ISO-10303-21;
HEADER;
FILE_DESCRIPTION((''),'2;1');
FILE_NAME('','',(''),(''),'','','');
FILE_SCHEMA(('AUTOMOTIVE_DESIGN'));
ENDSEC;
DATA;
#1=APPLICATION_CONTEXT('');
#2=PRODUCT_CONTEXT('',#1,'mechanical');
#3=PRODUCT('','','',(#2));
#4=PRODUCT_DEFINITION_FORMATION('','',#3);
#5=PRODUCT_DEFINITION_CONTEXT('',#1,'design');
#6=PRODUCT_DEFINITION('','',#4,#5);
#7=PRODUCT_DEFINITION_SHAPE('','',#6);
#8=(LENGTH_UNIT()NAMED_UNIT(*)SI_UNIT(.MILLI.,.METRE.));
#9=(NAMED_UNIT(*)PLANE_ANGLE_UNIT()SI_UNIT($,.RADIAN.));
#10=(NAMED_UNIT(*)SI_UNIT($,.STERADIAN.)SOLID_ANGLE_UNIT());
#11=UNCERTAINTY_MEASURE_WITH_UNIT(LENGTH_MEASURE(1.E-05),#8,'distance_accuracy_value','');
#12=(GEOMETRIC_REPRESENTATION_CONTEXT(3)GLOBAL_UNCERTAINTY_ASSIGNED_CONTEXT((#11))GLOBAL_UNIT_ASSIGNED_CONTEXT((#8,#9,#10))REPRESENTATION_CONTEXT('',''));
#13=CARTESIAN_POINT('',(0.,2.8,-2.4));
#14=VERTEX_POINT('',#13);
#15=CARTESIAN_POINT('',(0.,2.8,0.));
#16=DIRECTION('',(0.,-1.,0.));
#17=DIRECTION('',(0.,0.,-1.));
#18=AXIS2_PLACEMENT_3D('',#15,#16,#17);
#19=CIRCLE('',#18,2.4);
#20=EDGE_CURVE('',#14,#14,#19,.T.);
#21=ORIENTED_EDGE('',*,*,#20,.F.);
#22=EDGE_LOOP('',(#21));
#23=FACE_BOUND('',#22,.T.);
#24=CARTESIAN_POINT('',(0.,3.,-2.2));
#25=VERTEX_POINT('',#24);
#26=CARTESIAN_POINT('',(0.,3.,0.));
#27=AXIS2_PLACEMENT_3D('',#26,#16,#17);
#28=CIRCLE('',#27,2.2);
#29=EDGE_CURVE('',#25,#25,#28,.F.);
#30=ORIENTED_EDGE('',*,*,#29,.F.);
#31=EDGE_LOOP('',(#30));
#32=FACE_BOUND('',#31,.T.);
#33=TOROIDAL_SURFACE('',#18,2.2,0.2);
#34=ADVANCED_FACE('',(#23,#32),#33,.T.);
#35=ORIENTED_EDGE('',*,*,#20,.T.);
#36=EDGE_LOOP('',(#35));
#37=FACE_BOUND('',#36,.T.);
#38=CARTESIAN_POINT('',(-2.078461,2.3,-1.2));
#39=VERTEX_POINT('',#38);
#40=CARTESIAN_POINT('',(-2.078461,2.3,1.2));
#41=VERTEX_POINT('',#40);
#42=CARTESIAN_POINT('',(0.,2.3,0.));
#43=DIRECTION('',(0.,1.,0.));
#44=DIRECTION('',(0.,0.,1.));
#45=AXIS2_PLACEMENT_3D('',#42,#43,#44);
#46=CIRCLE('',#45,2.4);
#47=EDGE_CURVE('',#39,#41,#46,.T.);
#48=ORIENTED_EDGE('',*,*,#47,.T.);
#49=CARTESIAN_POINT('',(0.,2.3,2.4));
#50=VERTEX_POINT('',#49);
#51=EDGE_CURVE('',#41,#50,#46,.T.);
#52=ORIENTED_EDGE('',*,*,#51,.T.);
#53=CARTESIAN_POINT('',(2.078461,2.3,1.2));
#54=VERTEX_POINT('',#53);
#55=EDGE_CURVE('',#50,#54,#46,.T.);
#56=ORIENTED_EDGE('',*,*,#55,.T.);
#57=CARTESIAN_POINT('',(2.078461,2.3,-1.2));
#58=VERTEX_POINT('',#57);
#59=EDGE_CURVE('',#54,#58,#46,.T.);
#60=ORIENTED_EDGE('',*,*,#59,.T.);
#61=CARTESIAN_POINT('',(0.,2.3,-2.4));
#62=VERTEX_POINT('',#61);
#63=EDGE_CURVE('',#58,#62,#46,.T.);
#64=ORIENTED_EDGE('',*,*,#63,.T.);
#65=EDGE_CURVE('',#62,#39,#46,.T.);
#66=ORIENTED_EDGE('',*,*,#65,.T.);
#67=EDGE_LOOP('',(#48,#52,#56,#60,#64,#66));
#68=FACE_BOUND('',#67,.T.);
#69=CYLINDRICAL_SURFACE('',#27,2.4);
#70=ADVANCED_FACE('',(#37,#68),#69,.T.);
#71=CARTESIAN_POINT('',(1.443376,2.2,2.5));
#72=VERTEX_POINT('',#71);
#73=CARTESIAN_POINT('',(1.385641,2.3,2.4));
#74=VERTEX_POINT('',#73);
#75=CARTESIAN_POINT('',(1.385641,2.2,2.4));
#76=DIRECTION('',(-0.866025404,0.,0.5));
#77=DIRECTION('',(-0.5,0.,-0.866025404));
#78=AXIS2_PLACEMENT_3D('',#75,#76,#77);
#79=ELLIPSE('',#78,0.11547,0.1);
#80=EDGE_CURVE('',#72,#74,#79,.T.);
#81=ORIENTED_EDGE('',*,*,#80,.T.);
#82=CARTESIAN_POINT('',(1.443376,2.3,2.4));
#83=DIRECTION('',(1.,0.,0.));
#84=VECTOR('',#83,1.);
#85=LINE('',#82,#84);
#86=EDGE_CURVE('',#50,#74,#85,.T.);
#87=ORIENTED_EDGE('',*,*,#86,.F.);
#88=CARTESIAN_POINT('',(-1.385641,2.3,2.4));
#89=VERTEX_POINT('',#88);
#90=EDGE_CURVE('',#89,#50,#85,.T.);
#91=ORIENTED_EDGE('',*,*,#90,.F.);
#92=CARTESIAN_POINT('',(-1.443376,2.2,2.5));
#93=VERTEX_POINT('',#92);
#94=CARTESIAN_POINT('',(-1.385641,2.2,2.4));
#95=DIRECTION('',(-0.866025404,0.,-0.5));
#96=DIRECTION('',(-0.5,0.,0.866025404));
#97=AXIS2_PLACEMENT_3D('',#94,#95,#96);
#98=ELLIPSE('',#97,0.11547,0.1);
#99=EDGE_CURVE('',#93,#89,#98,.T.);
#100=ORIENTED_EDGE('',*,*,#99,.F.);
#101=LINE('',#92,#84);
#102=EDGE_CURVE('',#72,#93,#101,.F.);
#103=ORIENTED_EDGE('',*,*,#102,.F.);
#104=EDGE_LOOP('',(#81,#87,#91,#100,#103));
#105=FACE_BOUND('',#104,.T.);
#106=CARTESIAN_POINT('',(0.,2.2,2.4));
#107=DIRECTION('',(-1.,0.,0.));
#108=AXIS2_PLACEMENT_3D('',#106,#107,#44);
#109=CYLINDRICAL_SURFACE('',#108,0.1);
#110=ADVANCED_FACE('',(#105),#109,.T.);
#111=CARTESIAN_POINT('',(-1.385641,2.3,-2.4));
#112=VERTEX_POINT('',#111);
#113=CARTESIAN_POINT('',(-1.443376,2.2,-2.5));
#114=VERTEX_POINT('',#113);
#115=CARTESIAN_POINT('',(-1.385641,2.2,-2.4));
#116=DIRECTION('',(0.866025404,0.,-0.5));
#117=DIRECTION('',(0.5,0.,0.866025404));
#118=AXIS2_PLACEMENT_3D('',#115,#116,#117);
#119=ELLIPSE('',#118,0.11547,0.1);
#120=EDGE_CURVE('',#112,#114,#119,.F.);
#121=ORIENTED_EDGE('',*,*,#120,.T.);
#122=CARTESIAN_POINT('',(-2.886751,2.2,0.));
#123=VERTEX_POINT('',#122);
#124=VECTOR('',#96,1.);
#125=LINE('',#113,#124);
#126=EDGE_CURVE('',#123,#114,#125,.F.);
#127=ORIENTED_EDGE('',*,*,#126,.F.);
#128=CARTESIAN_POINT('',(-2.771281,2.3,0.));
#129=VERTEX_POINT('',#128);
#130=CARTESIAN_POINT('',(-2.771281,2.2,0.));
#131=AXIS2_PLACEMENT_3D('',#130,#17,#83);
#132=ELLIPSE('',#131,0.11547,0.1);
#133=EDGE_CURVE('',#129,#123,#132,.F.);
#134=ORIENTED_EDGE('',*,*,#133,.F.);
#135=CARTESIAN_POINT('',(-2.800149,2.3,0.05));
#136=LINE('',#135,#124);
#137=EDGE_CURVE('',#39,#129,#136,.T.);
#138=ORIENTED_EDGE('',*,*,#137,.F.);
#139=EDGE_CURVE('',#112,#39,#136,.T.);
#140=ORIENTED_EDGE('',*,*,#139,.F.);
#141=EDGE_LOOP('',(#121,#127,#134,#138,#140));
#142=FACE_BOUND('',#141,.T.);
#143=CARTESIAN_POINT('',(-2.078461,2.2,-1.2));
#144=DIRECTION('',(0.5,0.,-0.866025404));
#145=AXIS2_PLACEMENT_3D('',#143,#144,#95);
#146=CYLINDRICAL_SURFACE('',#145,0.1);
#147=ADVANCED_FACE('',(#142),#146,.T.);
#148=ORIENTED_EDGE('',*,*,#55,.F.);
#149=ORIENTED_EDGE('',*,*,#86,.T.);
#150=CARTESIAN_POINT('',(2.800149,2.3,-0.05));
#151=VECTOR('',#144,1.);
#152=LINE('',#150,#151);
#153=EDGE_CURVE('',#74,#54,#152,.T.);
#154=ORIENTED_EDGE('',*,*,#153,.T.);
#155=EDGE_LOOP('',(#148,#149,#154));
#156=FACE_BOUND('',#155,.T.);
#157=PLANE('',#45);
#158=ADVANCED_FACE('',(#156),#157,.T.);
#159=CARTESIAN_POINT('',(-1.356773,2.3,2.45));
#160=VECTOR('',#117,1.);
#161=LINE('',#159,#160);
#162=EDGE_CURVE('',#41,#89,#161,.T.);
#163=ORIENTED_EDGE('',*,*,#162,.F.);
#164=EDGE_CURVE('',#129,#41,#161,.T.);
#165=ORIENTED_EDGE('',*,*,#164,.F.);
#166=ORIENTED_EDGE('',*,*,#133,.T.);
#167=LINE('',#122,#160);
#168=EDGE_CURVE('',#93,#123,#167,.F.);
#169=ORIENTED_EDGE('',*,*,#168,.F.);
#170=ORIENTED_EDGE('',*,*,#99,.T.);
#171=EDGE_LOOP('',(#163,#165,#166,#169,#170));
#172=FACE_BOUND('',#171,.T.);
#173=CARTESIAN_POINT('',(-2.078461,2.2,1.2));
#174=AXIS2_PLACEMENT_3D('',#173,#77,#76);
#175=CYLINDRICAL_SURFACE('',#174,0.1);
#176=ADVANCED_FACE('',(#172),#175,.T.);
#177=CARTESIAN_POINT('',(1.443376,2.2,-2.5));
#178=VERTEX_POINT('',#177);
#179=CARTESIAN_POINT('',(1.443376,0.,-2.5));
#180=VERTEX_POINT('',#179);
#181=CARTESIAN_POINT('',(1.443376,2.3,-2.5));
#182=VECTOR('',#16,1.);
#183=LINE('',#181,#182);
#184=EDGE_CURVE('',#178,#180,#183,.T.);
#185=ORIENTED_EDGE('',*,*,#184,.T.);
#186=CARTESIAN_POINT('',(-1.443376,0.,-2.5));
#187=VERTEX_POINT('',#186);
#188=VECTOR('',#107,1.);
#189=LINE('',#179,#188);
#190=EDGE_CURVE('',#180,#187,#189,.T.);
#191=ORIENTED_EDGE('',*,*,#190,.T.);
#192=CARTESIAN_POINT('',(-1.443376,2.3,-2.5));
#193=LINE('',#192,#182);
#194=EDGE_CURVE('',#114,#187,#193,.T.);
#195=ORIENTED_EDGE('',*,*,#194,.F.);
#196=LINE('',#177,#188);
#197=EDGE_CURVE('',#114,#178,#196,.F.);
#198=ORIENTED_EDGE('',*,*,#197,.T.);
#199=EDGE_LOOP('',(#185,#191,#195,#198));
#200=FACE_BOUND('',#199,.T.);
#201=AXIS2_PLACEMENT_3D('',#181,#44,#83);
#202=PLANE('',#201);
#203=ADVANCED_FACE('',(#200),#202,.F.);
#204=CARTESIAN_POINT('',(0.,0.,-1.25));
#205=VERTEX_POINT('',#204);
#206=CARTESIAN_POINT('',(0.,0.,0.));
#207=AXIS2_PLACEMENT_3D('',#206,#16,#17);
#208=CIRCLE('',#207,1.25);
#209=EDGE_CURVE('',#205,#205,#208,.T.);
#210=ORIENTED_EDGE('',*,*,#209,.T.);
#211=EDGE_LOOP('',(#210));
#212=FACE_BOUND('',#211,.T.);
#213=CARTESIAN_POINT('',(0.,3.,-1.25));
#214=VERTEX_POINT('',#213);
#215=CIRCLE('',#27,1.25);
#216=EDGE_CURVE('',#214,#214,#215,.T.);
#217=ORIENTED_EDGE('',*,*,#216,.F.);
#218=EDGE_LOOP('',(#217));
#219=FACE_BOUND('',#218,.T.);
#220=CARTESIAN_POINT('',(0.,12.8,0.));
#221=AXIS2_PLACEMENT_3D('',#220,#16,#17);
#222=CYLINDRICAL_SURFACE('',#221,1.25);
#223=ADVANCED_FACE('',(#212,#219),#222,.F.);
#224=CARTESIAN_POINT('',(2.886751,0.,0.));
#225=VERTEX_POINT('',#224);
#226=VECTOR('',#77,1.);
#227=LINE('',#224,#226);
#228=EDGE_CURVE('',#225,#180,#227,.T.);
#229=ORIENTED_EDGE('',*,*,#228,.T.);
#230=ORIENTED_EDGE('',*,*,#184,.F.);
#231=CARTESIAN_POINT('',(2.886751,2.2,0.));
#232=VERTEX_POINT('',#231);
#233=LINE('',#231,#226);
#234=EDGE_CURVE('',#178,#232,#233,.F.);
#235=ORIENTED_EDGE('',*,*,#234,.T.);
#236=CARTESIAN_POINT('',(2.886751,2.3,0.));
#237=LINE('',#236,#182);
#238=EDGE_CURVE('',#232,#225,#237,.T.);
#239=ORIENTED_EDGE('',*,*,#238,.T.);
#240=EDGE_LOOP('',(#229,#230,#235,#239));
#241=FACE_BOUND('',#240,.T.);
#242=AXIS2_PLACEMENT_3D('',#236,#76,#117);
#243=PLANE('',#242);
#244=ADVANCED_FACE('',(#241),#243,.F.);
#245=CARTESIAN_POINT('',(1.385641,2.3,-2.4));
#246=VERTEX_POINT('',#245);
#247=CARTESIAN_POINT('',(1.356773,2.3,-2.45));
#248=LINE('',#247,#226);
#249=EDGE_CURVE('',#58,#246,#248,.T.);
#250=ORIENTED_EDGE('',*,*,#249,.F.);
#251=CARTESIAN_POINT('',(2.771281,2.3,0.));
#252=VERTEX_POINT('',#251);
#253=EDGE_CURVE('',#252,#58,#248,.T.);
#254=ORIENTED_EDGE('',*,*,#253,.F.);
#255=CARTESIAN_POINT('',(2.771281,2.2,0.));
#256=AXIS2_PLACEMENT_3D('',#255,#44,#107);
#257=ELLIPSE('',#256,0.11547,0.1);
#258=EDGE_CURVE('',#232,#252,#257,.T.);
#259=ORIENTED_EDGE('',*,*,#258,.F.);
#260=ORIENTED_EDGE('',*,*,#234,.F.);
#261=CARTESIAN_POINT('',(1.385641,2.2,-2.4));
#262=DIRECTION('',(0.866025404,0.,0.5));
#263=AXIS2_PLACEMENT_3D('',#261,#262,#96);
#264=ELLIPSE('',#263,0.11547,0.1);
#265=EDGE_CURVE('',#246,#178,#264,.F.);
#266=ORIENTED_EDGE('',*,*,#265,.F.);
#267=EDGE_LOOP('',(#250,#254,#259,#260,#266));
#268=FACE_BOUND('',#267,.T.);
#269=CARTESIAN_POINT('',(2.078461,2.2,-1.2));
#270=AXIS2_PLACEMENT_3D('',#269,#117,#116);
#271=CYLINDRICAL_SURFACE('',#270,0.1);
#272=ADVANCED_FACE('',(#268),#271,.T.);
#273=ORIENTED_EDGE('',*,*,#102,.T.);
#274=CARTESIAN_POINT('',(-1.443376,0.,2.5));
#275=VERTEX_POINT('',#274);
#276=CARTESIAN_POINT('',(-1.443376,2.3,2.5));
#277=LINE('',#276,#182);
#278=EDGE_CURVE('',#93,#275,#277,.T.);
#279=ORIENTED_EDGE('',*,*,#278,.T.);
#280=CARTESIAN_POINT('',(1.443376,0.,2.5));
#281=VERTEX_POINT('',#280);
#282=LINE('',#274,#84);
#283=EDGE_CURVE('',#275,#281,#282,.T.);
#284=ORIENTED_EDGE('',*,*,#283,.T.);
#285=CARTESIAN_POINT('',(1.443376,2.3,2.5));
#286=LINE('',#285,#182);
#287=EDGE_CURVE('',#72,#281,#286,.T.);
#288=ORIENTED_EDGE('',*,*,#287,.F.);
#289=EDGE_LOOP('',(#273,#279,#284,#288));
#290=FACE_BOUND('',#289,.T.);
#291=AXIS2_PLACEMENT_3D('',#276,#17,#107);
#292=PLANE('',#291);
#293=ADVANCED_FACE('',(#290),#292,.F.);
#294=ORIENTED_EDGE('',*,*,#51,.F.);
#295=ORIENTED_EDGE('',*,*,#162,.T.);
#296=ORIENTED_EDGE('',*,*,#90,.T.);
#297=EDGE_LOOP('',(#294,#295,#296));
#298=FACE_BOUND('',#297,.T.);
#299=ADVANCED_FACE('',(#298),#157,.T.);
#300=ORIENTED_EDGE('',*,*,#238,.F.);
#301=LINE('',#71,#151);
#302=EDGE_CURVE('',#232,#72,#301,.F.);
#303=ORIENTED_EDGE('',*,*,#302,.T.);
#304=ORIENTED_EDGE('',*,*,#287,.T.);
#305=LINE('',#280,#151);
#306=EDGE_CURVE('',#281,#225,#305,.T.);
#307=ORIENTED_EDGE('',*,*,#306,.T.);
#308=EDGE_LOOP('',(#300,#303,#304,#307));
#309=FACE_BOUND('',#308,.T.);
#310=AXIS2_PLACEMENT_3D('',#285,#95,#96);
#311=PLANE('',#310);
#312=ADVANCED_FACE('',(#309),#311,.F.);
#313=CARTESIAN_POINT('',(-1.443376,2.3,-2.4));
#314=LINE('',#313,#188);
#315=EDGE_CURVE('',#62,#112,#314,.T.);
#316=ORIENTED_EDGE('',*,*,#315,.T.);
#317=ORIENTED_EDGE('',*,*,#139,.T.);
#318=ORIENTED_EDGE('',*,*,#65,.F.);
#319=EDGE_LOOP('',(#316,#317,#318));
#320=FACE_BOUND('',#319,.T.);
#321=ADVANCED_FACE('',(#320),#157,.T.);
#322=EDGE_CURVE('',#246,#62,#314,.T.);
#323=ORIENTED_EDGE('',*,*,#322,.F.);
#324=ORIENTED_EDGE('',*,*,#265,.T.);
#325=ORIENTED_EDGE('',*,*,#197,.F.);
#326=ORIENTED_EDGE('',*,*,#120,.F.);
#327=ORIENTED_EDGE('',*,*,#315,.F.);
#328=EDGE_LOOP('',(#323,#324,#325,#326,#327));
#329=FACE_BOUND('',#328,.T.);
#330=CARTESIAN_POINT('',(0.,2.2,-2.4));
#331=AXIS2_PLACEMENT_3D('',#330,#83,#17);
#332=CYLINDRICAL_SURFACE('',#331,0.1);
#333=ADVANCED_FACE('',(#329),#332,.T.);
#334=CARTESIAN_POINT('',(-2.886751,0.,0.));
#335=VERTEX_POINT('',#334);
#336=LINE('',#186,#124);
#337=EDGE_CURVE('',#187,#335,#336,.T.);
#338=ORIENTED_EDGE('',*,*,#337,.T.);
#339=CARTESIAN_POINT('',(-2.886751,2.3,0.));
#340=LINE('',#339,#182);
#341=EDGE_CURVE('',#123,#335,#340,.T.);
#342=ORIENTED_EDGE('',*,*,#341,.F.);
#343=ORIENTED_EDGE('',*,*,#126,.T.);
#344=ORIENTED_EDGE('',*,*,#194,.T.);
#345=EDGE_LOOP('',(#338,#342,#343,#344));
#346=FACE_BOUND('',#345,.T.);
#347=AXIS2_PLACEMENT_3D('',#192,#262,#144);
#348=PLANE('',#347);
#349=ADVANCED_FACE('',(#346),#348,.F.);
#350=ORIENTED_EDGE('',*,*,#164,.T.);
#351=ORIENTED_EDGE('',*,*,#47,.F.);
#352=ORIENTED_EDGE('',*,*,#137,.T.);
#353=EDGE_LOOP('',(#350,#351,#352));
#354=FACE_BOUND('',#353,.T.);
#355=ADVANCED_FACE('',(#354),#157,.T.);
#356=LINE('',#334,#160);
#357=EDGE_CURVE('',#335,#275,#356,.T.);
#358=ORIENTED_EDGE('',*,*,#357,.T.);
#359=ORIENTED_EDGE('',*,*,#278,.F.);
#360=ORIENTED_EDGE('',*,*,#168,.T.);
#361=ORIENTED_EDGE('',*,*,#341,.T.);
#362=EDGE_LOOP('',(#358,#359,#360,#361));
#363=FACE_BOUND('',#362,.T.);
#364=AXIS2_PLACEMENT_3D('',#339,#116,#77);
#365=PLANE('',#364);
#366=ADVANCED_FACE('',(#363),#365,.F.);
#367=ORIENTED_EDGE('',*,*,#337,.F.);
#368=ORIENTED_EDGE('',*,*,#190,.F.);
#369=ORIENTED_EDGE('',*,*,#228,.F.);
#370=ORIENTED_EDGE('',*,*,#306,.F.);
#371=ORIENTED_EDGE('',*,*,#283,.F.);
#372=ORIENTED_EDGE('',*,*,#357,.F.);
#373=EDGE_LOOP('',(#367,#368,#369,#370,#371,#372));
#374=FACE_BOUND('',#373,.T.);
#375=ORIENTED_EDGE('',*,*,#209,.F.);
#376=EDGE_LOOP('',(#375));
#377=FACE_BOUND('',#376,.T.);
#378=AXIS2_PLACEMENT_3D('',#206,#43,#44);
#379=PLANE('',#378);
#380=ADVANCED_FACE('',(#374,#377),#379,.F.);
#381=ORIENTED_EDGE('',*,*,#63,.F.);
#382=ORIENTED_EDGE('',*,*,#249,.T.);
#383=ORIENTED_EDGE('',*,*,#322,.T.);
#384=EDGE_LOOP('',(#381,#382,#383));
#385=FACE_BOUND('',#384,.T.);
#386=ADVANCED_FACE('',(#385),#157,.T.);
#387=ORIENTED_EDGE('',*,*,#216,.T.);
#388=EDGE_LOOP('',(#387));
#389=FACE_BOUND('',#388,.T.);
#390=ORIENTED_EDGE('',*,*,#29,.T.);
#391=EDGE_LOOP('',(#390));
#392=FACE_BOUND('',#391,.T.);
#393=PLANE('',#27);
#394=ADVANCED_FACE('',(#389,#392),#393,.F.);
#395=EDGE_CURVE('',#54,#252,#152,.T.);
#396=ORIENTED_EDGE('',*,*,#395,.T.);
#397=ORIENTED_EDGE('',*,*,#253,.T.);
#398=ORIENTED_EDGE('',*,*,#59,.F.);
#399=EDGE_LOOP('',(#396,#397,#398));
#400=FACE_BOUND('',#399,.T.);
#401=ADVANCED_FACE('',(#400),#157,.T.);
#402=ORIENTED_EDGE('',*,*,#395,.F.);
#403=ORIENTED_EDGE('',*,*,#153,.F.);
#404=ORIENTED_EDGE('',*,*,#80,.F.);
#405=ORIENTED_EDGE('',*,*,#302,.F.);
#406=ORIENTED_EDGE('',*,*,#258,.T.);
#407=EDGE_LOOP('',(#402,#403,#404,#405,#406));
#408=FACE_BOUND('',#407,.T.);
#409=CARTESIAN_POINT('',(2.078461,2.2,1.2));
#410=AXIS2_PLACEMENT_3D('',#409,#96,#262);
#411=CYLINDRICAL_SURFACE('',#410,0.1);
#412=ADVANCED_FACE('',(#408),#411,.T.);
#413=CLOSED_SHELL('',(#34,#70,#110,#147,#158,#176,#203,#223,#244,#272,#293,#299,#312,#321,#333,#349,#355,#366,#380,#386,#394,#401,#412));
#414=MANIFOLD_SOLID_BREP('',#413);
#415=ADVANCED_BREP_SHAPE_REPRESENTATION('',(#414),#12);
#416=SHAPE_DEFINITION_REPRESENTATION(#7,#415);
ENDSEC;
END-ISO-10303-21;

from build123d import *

# Parameters (mm, degrees)
EXTRUDE_1_DEPTH     = 2.3
FILLET_1_R          = 0.1
SKETCH_2_R          = 2.4
EXTRUDE_2_DEPTH     = 3
FILLET_2_R          = 0.2
SKETCH_3_R          = 1.25
CUT_EXTRUDE_1_DEPTH = 12.8


with BuildPart() as part:
    # 草图1 → 凸台-拉伸1 (new body)
    with BuildSketch(Plane(origin=(0, 0, 0), x_dir=(1, 0, 0), z_dir=(0, 1, 0))):
        Polygon((1.443375673, -2.5), (2.886751346, 0), (1.443375673, 2.5), (-1.443375673, 2.5), (-2.886751346, 0), (-1.443375673, -2.5), align=None)
    extrude(amount=EXTRUDE_1_DEPTH)

    # 圆角1
    fillet_1_edges = [part.edges().sort_by_distance(p)[0] for p in [
        (2.165063509, 2.3, -1.25),
        (0, 2.3, -2.5),
        (-2.165063509, 2.3, -1.25),
        (-2.165063509, 2.3, 1.25),
        (0, 2.3, 2.5),
        (2.165063509, 2.3, 1.25),
    ]]
    fillet(fillet_1_edges, radius=FILLET_1_R)

    # 草图2 → 凸台-拉伸2 (add)
    with BuildSketch(Plane.XZ):
        Circle(SKETCH_2_R)
    extrude(amount=-EXTRUDE_2_DEPTH)

    # 圆角2
    fillet_2_edges = [part.edges().sort_by_distance(p)[0] for p in [
        (-2.4, 3, 0),
    ]]
    fillet(fillet_2_edges, radius=FILLET_2_R)

    # 草图3 → 切除-拉伸1 (cut)
    with BuildSketch(Plane.XZ):
        Circle(SKETCH_3_R)
    extrude(amount=-CUT_EXTRUDE_1_DEPTH, mode=Mode.SUBTRACT)


solid = part.part
